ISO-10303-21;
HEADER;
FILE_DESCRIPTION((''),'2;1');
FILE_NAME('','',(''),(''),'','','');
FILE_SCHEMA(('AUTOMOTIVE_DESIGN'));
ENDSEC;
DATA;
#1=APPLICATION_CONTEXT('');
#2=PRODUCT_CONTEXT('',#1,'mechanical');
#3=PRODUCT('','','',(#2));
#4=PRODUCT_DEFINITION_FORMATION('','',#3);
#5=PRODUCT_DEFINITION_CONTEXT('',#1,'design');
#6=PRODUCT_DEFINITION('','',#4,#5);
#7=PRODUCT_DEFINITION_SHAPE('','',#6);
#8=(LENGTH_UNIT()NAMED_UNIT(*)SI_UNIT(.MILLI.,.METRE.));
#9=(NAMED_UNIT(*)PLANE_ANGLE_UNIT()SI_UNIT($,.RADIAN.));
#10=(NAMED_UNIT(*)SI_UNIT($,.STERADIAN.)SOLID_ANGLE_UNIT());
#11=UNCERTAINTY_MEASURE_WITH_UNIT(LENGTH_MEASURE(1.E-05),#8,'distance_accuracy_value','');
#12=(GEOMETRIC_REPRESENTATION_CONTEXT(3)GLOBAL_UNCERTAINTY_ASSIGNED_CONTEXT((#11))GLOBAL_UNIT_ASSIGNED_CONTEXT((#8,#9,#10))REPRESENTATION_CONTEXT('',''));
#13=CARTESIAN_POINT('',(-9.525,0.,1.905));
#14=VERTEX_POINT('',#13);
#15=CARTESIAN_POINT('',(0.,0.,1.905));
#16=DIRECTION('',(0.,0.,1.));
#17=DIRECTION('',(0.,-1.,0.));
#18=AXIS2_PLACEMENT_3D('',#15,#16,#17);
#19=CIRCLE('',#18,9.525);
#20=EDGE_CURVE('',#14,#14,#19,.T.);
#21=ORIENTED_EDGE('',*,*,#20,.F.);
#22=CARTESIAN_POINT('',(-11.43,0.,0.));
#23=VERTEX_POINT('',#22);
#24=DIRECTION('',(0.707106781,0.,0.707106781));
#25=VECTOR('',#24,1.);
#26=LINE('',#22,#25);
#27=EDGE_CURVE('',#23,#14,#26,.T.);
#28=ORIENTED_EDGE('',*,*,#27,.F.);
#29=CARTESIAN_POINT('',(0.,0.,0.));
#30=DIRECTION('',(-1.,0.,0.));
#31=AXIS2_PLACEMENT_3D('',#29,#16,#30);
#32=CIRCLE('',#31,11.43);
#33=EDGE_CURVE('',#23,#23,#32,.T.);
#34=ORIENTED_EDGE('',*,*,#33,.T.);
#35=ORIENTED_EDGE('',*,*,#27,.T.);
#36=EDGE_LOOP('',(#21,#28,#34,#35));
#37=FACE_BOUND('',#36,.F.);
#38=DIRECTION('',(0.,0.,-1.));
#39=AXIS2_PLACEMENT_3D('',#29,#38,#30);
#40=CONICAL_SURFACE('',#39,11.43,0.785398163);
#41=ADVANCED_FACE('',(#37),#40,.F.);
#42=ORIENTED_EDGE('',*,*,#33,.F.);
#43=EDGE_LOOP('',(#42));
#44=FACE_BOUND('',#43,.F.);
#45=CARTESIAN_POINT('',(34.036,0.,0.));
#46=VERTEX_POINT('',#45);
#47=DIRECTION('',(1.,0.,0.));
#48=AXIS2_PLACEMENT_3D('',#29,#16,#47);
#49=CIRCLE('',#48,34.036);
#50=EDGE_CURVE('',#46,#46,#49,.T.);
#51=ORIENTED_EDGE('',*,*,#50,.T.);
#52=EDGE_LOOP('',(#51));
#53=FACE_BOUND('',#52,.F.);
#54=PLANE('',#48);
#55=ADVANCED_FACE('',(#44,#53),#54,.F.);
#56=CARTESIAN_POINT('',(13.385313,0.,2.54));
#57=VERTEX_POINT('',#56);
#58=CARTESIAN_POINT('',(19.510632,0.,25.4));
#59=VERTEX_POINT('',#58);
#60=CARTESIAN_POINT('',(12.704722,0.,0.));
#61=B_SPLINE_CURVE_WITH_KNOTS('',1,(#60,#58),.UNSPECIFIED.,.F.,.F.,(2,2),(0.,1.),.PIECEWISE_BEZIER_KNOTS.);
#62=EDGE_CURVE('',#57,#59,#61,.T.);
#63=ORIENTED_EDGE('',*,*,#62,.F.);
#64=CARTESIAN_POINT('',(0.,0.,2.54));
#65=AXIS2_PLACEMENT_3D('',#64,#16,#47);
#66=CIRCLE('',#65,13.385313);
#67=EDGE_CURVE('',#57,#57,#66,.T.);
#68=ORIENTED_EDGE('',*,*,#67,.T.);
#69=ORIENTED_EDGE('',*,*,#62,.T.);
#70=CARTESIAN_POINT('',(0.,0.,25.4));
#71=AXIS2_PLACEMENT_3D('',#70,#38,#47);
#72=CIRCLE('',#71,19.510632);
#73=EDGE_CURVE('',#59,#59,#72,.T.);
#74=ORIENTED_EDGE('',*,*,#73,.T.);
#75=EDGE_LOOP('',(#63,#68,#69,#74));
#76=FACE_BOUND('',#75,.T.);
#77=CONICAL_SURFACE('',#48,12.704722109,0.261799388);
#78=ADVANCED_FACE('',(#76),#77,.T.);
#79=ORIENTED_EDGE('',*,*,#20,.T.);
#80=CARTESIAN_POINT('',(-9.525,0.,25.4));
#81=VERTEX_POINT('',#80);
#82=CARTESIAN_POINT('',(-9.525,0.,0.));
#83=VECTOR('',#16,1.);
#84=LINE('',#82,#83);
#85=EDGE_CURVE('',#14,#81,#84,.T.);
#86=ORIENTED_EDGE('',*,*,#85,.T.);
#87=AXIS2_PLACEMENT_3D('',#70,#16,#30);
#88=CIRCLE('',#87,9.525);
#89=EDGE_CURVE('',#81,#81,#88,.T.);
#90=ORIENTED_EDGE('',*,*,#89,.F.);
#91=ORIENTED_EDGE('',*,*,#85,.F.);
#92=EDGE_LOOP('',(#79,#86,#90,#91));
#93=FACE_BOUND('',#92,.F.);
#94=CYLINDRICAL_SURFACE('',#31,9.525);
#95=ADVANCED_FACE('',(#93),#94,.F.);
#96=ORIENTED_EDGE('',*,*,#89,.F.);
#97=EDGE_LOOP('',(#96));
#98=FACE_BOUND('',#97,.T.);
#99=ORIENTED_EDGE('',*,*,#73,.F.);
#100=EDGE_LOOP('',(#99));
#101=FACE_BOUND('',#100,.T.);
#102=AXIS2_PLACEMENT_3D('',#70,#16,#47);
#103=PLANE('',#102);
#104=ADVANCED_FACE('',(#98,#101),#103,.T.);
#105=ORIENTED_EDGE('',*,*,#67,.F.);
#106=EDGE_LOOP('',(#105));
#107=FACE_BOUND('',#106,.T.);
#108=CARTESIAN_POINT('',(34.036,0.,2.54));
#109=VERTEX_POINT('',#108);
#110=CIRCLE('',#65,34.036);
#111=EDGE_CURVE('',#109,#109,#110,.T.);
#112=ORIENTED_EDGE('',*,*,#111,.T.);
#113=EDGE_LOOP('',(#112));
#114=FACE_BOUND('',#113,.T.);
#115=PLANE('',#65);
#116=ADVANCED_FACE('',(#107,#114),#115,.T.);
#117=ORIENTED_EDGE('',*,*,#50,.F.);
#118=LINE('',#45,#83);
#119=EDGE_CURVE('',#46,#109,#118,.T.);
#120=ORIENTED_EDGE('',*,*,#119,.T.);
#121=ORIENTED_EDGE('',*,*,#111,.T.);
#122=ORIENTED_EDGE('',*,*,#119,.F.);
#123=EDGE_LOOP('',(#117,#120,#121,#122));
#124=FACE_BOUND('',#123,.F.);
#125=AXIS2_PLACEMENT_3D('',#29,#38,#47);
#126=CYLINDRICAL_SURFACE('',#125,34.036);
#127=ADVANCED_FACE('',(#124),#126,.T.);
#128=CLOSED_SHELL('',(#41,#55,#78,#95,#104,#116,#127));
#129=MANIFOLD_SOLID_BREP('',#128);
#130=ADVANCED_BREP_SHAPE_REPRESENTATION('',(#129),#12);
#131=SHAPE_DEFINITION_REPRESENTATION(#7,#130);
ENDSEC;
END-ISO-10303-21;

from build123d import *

# Parameters (mm, degrees)
F0_R           = 34.036
F0_R_2         = 6.35
F1_DEPTH       = 2.54
F2_R           = 12.7047221092
F3_DEPTH       = 25.4
F3_TAPER       = -15
F5_D           = 19.05
F5_CSINK_D     = 22.86
F5_CSINK_ANGLE = 90


with BuildPart() as f1:
    # F0 (on Top) → F1 (new body)
    with BuildSketch(Plane.XY):
        Circle(F0_R)
        Circle(F0_R_2, mode=Mode.SUBTRACT)
    extrude(amount=F1_DEPTH)

    # F2 (on Top) → F3 (join)
    with BuildSketch(Plane.XY):
        Circle(F2_R)
    extrude(amount=F3_DEPTH, taper=F3_TAPER)

    # F5 (through all)
    with Locations(Plane(origin=(0, 0, 0), x_dir=(1, 0, 0), z_dir=(0, 0, -1))):
        with Locations((0, 0)):
            CounterSinkHole(F5_D / 2, F5_CSINK_D / 2, counter_sink_angle=F5_CSINK_ANGLE)


solid = f1.part
